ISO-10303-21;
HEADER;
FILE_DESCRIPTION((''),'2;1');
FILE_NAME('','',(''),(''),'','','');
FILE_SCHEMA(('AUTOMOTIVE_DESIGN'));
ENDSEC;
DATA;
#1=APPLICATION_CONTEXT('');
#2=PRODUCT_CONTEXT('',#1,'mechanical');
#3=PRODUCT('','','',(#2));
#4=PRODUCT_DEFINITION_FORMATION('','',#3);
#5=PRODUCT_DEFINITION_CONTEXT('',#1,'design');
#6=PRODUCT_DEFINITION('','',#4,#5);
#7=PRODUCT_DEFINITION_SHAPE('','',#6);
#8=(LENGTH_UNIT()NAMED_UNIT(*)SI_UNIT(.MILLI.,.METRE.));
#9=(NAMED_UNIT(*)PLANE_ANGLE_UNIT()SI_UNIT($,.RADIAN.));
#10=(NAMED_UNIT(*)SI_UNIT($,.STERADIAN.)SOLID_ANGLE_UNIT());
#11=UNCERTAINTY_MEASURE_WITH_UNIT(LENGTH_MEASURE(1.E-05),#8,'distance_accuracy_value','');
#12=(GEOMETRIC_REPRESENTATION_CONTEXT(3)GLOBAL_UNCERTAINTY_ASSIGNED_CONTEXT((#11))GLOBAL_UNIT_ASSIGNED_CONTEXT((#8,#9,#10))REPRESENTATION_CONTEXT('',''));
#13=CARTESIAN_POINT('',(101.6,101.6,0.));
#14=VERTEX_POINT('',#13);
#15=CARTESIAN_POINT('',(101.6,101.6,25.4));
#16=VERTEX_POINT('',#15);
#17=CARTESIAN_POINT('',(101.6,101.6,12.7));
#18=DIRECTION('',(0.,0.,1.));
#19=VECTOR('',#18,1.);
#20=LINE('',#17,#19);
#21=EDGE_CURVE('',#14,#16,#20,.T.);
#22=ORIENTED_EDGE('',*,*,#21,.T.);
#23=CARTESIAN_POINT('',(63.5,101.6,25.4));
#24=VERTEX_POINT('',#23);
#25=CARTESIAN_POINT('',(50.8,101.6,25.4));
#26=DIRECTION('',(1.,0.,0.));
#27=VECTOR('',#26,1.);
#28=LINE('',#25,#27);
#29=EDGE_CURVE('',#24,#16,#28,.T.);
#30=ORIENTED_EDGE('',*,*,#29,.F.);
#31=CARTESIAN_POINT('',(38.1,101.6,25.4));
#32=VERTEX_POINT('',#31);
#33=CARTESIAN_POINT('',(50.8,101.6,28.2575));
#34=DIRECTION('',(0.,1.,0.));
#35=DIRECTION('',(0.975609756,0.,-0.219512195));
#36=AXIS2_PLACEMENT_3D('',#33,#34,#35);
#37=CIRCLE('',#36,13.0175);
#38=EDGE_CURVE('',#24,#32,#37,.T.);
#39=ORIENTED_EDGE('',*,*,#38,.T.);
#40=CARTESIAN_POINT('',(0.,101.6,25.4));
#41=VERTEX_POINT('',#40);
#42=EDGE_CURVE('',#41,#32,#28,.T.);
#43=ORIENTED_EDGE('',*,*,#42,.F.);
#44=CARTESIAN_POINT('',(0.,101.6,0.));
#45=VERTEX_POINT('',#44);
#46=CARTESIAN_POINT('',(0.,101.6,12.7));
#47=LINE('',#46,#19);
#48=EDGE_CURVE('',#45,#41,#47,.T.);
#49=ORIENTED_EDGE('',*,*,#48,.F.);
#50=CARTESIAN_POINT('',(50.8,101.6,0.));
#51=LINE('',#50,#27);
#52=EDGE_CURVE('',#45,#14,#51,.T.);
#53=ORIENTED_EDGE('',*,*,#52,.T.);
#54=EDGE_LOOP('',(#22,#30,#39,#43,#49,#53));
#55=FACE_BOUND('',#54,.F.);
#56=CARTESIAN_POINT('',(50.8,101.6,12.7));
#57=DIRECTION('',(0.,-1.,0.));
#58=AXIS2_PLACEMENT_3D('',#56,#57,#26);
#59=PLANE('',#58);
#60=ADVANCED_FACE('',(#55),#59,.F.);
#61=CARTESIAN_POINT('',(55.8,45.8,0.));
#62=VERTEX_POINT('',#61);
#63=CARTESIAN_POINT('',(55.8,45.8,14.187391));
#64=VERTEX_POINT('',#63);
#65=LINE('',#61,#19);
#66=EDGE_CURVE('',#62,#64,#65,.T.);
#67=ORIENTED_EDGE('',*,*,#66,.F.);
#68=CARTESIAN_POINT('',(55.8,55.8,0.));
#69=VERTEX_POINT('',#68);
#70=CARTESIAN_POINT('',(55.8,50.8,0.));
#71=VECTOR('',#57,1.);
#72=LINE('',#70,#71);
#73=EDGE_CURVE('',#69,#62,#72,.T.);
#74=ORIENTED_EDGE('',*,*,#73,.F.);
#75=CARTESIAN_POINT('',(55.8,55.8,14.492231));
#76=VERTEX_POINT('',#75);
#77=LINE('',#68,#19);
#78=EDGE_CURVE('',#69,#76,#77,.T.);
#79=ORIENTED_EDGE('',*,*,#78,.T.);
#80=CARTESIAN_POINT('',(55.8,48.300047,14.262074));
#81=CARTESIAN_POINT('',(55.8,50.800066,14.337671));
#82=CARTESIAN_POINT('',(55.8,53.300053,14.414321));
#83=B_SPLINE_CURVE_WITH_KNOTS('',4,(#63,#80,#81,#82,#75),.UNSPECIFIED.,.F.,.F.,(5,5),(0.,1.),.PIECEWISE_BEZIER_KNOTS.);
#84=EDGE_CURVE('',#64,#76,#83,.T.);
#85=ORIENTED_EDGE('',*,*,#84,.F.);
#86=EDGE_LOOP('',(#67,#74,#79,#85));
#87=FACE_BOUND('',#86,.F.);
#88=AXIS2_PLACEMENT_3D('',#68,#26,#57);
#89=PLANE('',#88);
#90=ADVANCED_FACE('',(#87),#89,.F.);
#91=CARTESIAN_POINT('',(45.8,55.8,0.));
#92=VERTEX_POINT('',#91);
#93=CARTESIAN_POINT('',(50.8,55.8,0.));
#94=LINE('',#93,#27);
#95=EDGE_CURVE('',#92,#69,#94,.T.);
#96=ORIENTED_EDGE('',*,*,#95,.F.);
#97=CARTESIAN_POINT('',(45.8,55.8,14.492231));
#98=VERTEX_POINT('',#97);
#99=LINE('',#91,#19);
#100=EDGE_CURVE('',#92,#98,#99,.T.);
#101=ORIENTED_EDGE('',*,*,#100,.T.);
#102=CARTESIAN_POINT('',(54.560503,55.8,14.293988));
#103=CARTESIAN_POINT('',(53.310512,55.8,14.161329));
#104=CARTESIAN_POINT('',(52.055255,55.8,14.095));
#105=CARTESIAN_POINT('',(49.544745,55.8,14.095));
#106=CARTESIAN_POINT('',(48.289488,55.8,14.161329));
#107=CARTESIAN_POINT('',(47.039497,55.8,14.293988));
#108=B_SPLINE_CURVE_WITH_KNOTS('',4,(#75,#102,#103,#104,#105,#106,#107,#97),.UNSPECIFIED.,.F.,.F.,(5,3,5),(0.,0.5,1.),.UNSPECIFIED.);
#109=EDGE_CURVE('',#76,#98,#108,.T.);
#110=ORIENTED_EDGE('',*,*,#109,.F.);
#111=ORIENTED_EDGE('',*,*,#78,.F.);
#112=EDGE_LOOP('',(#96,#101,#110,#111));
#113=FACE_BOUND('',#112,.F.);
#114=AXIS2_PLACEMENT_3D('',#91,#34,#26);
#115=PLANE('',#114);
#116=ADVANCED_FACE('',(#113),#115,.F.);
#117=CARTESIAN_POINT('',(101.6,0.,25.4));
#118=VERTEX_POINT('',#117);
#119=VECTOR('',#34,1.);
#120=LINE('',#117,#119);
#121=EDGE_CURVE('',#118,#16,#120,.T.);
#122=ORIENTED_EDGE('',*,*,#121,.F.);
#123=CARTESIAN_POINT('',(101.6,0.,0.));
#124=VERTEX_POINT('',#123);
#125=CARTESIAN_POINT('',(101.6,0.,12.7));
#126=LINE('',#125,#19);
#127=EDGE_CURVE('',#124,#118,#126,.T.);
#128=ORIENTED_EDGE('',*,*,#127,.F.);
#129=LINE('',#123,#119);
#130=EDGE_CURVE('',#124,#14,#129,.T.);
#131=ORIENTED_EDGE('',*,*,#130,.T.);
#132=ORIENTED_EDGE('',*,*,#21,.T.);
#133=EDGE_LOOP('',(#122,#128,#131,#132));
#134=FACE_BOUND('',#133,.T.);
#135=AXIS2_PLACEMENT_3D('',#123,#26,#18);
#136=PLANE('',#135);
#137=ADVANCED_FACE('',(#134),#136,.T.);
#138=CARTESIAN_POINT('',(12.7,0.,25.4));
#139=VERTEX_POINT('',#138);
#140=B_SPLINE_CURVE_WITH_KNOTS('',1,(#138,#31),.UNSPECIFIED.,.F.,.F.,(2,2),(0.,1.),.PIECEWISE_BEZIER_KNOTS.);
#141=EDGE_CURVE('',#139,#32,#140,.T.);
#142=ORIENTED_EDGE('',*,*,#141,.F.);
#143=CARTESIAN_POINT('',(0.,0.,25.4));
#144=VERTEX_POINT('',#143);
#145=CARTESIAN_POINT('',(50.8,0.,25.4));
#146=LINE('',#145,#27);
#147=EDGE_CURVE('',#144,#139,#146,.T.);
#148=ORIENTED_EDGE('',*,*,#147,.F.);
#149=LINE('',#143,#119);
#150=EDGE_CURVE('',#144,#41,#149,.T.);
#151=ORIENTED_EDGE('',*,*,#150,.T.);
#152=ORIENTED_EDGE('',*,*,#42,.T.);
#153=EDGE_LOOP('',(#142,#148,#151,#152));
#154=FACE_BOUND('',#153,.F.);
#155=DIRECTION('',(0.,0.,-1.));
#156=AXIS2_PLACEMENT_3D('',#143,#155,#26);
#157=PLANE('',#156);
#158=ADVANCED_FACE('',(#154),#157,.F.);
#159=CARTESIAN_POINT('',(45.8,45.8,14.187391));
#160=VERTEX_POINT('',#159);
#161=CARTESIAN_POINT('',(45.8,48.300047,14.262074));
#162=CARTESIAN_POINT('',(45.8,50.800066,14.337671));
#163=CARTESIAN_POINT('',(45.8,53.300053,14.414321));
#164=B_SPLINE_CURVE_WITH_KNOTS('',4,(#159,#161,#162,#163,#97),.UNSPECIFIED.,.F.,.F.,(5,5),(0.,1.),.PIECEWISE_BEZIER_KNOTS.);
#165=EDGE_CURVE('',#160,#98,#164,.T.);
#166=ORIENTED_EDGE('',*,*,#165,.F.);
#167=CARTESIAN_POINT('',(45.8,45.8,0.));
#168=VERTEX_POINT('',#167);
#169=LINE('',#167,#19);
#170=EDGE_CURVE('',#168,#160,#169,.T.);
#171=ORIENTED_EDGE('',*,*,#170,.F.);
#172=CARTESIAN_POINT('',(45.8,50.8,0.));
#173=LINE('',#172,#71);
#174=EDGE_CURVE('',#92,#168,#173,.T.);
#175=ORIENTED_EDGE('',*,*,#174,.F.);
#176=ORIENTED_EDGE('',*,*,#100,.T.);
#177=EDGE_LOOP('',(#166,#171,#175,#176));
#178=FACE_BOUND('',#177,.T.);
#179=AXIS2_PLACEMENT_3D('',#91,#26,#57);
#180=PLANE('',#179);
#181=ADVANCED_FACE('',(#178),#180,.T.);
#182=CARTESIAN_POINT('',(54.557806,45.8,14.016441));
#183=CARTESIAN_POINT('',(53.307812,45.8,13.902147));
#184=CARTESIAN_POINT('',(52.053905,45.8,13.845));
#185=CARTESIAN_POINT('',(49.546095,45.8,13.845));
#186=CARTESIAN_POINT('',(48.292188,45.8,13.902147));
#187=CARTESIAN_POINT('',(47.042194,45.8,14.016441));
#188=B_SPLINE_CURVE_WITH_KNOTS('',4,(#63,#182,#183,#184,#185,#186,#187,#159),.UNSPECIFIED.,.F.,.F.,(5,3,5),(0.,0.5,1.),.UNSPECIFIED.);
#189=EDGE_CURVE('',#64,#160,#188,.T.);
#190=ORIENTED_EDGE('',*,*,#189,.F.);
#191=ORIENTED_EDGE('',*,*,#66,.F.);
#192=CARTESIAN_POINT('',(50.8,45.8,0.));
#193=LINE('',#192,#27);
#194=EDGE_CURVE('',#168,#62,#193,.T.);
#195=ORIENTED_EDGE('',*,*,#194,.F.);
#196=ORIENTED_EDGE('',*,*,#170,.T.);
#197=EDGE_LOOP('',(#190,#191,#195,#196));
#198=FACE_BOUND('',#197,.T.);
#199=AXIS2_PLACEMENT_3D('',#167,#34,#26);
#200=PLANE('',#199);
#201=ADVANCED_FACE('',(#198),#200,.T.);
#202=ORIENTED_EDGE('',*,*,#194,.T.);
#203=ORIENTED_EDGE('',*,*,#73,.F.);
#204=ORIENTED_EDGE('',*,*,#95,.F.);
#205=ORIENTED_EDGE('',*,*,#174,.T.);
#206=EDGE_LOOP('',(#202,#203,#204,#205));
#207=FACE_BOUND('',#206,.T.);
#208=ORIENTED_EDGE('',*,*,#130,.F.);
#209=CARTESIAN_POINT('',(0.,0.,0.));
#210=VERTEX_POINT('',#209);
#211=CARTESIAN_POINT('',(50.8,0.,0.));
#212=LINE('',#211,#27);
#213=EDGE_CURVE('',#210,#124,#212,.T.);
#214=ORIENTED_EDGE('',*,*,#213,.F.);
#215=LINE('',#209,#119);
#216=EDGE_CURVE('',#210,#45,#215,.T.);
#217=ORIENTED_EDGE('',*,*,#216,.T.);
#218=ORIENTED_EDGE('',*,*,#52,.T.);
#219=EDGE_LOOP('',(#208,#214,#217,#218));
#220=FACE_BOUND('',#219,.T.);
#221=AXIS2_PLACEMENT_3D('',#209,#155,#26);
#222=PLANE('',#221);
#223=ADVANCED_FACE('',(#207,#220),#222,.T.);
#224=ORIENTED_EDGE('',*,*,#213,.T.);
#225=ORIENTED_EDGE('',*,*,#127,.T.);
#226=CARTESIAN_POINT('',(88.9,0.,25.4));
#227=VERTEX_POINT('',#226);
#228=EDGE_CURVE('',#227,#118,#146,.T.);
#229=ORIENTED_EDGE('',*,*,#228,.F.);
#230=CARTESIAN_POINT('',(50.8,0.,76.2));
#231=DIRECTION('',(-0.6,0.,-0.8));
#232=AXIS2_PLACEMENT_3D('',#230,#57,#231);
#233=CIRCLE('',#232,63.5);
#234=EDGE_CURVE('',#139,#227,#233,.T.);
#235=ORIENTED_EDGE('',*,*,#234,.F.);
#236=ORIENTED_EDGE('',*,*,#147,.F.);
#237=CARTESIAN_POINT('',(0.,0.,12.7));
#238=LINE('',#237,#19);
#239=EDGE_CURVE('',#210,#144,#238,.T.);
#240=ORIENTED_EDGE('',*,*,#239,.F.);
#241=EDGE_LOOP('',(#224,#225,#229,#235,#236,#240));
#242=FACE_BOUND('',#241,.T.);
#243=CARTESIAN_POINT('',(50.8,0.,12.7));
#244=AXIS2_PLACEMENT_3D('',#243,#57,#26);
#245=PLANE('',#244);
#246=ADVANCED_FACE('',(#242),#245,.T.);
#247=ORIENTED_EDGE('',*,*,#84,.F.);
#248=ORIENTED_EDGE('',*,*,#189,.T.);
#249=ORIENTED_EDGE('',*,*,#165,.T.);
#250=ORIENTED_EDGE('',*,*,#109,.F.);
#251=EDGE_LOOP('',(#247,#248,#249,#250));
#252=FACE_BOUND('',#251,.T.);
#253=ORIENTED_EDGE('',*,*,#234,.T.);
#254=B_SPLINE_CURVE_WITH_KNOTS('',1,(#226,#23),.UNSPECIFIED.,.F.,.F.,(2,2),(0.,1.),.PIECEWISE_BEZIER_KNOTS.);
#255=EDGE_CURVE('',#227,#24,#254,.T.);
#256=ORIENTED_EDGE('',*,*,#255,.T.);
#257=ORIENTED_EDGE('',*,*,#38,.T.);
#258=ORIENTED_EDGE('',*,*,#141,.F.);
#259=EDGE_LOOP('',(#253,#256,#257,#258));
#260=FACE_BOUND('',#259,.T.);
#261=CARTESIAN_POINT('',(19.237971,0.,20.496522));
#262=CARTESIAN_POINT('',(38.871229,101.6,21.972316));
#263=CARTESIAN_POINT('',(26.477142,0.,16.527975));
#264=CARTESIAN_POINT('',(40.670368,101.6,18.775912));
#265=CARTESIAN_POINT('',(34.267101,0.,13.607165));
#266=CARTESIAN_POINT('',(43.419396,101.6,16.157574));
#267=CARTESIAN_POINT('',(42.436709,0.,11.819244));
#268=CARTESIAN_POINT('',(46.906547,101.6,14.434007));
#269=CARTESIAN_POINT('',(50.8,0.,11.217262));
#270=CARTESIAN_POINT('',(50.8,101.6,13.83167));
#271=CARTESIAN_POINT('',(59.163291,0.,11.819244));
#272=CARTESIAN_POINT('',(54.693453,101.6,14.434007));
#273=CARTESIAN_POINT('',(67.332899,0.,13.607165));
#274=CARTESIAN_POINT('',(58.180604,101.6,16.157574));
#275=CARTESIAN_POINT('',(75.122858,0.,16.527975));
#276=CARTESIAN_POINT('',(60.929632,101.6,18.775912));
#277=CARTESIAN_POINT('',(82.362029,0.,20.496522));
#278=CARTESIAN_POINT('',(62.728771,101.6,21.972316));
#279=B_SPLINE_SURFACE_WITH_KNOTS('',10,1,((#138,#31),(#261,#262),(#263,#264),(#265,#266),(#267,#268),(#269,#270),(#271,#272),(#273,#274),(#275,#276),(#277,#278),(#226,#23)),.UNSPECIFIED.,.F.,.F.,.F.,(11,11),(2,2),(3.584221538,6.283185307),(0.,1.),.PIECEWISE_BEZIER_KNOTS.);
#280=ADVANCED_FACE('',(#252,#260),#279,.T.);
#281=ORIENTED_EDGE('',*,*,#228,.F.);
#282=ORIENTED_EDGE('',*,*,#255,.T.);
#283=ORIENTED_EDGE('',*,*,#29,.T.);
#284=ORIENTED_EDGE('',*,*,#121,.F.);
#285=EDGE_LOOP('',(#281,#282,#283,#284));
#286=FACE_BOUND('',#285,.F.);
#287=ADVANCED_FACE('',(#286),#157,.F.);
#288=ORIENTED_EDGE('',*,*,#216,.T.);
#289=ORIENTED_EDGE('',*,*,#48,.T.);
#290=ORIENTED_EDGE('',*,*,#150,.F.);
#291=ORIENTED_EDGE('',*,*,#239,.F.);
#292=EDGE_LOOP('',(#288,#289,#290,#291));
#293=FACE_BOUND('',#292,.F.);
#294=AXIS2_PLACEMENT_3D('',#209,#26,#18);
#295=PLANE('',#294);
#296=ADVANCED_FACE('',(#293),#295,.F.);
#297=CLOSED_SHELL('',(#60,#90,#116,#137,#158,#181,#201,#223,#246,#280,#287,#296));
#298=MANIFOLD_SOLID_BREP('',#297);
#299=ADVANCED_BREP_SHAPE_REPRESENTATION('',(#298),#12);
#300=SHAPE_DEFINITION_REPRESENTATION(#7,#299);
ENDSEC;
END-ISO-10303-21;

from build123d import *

# Parameters (mm, degrees)
F0_W     = 101.6
F0_H     = 25.4
F1_DEPTH = 101.6
F5_W     = 10
F5_H     = 10
F6_DEPTH = 25.401


with BuildPart() as f1:
    # F0 (on Front) → F1 (new body)
    with BuildSketch(Plane.XZ):
        with Locations((50.8, 12.7)):
            Rectangle(F0_W, F0_H)
    extrude(amount=-F1_DEPTH)

    # F2 (on face) → F4 section 0
    with BuildSketch(Plane.XZ):
        with BuildLine():
            Line((88.9, 25.4), (12.7, 25.4))
            ThreePointArc((12.7, 25.4), (50.8, 12.7), (88.9, 25.4))
        make_face()
    # F3 (on face) → F4 section 1
    with BuildSketch(Plane(origin=(0, 101.6, 0), x_dir=(-1, 0, 0), z_dir=(0, 1, 0))):
        with BuildLine():
            Line((-38.1, 25.4), (-63.5, 25.4))
            ThreePointArc((-63.5, 25.4), (-50.8, 15.24), (-38.1, 25.4))
        make_face()
    loft(mode=Mode.SUBTRACT)

    # F5 (on face) → F6 (cut, through all)
    with BuildSketch(Plane(origin=(0, 0, 0), x_dir=(1, 0, 0), z_dir=(0, 0, -1))):
        with Locations((50.8, -50.8)):
            Rectangle(F5_W, F5_H)
    extrude(amount=-F6_DEPTH, mode=Mode.SUBTRACT)


solid = f1.part
